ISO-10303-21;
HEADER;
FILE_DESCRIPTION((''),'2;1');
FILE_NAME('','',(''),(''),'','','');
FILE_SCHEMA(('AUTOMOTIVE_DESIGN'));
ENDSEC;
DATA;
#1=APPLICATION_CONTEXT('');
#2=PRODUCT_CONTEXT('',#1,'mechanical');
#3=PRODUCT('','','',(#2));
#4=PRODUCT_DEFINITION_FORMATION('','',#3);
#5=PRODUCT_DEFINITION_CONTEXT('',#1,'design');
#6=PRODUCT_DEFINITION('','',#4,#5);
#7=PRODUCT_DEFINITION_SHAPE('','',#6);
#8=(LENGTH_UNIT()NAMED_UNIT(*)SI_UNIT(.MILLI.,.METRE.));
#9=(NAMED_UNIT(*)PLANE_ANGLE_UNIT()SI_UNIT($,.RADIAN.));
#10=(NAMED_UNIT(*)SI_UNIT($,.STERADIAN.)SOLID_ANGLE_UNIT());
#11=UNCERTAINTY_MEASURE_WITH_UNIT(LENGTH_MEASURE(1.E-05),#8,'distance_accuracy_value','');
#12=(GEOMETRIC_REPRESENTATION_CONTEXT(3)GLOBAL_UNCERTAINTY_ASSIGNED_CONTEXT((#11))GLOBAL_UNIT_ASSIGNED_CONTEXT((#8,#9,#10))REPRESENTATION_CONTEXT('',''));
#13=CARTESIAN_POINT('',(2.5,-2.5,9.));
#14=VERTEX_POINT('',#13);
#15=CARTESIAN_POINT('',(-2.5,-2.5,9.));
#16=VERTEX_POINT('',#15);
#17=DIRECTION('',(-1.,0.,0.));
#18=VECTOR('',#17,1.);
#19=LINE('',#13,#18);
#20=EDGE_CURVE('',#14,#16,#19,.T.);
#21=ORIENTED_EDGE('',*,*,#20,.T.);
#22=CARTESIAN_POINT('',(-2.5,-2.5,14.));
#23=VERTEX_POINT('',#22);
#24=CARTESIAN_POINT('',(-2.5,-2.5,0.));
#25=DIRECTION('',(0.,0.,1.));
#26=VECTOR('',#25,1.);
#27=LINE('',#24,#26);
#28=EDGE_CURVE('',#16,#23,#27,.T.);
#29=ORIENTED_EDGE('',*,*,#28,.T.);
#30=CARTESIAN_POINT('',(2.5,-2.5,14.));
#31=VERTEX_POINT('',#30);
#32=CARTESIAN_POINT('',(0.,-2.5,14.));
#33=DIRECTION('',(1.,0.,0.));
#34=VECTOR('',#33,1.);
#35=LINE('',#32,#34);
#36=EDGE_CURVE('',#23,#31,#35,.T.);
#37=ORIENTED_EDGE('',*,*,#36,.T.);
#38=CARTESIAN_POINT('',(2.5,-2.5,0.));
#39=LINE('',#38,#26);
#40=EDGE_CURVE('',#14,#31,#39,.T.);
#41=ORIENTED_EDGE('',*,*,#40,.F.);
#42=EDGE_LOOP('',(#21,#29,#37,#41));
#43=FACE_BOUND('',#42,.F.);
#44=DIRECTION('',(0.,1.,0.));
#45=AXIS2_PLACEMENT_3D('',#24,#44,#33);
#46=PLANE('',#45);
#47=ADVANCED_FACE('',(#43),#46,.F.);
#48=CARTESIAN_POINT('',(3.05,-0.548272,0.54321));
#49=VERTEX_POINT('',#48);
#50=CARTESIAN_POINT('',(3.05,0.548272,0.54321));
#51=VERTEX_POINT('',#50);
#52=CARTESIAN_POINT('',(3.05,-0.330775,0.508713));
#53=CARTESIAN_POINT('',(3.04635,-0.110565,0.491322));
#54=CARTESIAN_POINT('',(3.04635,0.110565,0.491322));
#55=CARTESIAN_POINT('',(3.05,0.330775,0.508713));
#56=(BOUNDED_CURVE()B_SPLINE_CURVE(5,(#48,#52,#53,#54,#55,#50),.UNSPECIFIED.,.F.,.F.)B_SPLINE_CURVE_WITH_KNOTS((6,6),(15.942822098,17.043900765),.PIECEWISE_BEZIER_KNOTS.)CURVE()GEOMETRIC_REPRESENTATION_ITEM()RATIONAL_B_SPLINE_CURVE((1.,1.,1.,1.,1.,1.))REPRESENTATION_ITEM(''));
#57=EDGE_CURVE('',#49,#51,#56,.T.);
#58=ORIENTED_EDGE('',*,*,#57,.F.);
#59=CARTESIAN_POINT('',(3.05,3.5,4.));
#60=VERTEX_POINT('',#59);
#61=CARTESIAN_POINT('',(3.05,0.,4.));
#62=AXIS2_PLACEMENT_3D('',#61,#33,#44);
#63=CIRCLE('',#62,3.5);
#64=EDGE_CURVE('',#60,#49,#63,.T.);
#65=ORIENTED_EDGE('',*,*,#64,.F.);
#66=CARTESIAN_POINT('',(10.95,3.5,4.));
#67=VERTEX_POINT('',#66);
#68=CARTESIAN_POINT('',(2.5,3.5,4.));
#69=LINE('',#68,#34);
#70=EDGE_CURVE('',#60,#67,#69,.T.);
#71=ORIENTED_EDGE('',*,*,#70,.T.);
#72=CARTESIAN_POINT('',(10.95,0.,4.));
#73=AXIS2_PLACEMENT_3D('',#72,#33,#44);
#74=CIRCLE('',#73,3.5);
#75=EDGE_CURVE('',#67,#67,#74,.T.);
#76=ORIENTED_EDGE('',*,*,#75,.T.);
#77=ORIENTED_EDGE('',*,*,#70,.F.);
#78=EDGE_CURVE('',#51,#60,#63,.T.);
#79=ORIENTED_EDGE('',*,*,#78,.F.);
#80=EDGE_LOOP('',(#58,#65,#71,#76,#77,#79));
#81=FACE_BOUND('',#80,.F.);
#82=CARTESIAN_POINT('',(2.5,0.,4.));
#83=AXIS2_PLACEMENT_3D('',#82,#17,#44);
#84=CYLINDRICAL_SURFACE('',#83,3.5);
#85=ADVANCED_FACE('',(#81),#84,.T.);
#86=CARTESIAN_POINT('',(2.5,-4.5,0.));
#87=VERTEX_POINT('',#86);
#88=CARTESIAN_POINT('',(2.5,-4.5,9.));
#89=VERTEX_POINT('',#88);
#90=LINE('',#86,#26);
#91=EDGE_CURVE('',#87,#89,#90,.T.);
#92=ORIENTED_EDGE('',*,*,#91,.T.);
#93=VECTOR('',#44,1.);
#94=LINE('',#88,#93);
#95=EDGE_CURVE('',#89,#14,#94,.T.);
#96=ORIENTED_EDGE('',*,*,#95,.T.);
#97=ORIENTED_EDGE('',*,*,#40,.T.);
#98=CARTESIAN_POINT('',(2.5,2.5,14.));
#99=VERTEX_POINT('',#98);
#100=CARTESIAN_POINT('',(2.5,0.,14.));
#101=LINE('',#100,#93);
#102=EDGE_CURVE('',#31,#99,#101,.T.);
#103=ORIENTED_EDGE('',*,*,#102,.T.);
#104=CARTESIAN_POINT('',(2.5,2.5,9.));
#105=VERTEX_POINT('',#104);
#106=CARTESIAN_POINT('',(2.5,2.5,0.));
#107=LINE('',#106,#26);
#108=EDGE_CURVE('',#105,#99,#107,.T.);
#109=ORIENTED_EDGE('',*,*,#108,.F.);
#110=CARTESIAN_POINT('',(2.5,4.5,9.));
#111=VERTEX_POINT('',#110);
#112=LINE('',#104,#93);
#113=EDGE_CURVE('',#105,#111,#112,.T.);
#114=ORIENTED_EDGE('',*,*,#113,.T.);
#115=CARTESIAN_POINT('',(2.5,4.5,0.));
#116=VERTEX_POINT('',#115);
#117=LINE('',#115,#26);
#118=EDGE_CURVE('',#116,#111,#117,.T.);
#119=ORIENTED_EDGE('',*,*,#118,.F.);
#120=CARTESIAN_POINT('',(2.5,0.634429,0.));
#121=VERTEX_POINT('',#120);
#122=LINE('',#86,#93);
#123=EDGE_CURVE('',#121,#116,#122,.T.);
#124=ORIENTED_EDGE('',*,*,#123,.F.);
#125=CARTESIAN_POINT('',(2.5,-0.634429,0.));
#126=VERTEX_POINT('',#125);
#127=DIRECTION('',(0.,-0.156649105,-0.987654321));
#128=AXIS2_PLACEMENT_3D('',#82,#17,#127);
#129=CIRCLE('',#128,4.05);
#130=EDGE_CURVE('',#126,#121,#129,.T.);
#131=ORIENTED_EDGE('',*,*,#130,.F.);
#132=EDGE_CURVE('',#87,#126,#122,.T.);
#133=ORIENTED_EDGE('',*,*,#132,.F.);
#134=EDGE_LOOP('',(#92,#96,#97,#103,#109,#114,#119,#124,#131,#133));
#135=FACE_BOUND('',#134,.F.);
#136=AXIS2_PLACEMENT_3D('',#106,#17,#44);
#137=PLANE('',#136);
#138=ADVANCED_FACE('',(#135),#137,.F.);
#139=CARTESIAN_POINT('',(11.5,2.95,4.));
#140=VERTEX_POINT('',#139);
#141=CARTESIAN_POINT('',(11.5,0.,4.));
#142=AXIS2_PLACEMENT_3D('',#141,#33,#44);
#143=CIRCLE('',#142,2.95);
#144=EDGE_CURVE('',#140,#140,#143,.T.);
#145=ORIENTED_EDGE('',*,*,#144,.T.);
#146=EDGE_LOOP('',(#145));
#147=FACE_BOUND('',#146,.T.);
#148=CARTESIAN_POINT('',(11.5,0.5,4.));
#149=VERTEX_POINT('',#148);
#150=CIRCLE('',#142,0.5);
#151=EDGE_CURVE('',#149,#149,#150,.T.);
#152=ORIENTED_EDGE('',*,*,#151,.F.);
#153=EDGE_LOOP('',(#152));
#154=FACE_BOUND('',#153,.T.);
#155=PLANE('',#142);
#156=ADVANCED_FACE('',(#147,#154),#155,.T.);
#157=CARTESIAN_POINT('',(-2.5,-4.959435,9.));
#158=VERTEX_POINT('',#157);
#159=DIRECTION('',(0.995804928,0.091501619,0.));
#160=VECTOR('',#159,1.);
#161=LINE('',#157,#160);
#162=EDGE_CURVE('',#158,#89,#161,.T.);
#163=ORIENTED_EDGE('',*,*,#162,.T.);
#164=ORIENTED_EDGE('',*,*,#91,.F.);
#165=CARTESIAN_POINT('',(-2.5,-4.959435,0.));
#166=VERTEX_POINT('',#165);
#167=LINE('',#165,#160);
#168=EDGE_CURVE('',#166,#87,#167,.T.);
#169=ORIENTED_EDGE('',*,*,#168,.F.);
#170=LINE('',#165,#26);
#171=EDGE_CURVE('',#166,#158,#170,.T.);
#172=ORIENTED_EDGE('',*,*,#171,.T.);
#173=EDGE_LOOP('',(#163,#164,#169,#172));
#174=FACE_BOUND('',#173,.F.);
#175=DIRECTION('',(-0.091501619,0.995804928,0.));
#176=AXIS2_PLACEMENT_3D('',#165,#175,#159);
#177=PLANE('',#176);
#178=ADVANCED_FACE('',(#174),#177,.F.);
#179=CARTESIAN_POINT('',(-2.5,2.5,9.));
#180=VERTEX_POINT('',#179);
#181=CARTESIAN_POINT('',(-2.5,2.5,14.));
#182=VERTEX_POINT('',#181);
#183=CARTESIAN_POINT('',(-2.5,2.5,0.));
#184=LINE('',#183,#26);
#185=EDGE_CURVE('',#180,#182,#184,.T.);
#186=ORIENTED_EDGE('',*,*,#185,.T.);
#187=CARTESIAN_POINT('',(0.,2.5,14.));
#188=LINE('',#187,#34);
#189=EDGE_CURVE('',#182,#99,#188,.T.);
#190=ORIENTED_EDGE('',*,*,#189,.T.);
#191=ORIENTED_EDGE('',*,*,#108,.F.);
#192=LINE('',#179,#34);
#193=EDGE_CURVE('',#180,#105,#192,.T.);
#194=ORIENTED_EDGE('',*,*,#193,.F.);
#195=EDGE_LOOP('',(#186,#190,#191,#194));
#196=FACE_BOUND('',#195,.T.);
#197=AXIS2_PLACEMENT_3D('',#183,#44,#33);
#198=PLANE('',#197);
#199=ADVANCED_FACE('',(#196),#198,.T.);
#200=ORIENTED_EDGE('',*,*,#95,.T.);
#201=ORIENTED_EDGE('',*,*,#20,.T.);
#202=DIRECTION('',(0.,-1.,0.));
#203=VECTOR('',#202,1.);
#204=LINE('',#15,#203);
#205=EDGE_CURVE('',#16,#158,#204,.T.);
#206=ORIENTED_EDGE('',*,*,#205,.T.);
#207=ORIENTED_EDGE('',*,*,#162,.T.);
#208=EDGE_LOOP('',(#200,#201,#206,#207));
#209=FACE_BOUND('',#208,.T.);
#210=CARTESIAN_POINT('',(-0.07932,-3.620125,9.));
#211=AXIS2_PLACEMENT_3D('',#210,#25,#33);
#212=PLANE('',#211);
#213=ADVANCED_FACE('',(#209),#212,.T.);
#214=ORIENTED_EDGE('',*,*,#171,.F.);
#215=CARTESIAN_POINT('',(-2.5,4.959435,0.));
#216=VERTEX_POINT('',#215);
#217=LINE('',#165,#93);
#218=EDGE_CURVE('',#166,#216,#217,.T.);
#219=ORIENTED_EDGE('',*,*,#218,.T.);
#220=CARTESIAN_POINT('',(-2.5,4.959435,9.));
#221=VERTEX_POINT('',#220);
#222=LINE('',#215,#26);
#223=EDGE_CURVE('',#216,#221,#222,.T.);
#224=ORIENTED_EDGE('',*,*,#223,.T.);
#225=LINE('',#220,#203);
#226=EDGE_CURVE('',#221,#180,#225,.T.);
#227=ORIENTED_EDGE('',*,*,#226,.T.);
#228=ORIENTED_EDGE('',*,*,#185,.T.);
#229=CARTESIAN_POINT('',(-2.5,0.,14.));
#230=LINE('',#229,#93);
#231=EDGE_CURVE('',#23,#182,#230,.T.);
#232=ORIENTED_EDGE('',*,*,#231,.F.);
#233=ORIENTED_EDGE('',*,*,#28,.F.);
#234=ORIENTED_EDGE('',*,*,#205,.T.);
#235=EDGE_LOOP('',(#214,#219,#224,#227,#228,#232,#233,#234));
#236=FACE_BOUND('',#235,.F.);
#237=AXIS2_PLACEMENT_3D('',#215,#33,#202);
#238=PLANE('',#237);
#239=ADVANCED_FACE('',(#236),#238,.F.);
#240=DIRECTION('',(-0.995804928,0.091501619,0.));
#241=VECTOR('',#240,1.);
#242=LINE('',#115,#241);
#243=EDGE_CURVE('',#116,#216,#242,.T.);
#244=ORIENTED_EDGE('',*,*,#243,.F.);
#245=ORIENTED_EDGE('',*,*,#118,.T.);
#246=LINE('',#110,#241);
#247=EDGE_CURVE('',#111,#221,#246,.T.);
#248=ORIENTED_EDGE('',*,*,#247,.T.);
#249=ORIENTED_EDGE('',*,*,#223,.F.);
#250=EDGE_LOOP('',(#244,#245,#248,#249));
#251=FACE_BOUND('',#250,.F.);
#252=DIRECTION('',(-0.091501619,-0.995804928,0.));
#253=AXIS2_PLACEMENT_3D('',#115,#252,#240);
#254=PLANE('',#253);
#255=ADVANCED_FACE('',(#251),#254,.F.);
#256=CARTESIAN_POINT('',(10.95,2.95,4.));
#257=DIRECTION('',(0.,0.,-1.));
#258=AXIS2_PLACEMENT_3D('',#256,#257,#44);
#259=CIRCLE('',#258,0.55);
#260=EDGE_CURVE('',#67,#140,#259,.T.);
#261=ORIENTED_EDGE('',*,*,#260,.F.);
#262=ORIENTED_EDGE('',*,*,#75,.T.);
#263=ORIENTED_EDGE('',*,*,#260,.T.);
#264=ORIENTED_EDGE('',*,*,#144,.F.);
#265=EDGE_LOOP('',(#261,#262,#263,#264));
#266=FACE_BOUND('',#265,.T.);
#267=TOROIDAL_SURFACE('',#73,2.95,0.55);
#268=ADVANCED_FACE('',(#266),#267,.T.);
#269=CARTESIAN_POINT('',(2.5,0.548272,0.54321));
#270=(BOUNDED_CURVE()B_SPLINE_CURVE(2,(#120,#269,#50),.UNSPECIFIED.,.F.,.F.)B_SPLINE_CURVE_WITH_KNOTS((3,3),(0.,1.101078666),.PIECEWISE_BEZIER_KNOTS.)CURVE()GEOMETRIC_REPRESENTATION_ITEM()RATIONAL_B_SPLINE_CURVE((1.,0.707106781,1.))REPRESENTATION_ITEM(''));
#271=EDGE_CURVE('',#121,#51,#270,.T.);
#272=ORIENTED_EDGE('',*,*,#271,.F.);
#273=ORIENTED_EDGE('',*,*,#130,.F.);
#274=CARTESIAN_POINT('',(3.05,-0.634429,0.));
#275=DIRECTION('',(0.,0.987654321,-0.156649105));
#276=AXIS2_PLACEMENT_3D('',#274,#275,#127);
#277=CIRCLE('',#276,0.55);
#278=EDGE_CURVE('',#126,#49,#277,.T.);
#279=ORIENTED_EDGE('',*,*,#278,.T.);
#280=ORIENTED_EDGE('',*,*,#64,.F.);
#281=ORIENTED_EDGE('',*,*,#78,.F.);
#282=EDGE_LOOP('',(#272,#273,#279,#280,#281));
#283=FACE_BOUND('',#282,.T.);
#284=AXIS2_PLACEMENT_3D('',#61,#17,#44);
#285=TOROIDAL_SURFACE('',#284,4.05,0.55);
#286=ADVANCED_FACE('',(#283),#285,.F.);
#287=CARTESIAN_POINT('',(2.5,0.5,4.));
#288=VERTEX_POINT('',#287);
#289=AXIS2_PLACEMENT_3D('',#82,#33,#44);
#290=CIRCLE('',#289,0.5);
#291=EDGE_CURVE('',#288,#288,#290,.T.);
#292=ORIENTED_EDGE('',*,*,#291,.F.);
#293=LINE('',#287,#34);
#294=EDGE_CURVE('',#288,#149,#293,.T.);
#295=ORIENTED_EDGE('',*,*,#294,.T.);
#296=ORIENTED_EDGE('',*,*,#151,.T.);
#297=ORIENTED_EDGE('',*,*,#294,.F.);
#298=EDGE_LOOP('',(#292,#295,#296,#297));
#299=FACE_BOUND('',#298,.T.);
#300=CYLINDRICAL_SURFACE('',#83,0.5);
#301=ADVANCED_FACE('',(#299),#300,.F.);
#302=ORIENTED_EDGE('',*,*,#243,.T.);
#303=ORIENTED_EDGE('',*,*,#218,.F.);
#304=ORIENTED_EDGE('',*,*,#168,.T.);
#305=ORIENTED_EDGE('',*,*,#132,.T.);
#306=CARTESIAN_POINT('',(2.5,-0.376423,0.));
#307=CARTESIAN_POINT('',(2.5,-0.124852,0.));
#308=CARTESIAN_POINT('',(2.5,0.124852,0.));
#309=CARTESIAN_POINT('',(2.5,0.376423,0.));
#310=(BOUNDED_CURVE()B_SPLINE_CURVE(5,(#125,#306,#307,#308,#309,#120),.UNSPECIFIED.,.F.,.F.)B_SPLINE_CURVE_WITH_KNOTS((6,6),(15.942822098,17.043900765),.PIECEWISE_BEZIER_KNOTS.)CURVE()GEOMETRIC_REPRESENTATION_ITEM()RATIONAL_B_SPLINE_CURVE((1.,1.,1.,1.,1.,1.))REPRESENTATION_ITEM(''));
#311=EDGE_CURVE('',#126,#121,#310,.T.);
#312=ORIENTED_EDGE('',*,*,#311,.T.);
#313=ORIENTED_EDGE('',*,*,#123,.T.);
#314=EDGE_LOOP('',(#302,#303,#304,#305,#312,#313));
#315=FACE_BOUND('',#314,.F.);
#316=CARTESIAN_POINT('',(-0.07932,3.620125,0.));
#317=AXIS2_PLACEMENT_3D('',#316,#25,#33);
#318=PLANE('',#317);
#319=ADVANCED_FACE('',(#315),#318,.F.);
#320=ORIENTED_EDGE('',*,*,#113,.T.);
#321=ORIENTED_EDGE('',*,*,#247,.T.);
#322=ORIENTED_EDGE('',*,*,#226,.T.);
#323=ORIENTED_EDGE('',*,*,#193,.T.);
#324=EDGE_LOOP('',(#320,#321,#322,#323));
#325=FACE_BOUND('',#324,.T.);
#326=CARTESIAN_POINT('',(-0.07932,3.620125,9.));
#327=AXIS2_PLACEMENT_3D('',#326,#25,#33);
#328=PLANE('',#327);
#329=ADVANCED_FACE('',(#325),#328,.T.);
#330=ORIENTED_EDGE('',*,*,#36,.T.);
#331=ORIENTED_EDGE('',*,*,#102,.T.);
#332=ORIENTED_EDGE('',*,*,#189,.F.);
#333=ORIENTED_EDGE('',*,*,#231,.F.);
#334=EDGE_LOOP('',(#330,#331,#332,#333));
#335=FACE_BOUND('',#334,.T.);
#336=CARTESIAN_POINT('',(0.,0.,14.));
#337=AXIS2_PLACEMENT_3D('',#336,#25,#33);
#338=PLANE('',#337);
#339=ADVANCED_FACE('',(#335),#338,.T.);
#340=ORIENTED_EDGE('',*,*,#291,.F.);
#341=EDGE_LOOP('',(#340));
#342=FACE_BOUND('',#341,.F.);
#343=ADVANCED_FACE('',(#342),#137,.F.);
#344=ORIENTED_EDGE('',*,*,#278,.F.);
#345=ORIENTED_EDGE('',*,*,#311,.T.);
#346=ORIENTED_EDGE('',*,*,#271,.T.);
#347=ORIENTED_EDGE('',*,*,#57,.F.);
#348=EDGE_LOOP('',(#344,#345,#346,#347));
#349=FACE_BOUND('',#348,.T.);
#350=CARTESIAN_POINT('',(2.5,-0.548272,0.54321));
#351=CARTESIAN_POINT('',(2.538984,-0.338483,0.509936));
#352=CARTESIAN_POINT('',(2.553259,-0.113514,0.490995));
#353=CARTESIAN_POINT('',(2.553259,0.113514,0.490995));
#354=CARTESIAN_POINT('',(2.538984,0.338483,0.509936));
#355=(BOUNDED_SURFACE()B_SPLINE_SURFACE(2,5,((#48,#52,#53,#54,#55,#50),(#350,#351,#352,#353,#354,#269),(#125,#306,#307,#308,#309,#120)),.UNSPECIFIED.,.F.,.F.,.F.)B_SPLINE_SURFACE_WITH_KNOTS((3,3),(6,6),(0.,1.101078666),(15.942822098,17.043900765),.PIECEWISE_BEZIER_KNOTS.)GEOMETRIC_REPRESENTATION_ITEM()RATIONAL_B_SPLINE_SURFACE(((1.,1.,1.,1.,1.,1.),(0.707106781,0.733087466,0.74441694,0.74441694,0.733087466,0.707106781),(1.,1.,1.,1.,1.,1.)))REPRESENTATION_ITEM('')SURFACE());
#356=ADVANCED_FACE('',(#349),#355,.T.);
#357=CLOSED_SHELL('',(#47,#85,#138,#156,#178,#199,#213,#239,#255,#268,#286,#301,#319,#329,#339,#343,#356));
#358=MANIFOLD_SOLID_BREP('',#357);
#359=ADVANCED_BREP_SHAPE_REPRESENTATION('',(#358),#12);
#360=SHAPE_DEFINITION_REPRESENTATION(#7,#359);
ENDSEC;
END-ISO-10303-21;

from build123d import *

# Parameters (mm, degrees)
F0_W     = 5
F0_H     = 5
F1_DEPTH = 14
F2_DEPTH = 9
F3_R     = 3.5
F3_R_2   = 0.5
F4_DEPTH = 9
F5_R     = 0.55


with BuildPart() as f1:
    # F0 (on Top) → F1 (new body)
    with BuildSketch(Plane.XY):
        Rectangle(F0_W, F0_H)
    extrude(amount=F1_DEPTH)

    # F0 (on Top) → F2 (join)
    with BuildSketch(Plane.XY):
        Polygon((-2.5, 2.5), (2.5, 2.5), (2.5, 4.5), (-2.5, 4.9594354583), align=None)
        Polygon((2.5, -4.5), (2.5, -2.5), (-2.5, -2.5), (-2.5, -4.9594354583), align=None)
    extrude(amount=F2_DEPTH)

    # F3 (on face) → F4 (join)
    with BuildSketch(Plane.YZ.offset(2.5)):
        with Locations((0, 4)):
            Circle(F3_R)
        with Locations((0, 4)):
            Circle(F3_R_2, mode=Mode.SUBTRACT)
    extrude(amount=F4_DEPTH)

    # F5
    f5_edges = [f1.edges().sort_by_distance(p)[0] for p in [
        (2.5, -3.5, 4),
        (11.5, -3.5, 4),
    ]]
    fillet(f5_edges, radius=F5_R)


solid = f1.part
